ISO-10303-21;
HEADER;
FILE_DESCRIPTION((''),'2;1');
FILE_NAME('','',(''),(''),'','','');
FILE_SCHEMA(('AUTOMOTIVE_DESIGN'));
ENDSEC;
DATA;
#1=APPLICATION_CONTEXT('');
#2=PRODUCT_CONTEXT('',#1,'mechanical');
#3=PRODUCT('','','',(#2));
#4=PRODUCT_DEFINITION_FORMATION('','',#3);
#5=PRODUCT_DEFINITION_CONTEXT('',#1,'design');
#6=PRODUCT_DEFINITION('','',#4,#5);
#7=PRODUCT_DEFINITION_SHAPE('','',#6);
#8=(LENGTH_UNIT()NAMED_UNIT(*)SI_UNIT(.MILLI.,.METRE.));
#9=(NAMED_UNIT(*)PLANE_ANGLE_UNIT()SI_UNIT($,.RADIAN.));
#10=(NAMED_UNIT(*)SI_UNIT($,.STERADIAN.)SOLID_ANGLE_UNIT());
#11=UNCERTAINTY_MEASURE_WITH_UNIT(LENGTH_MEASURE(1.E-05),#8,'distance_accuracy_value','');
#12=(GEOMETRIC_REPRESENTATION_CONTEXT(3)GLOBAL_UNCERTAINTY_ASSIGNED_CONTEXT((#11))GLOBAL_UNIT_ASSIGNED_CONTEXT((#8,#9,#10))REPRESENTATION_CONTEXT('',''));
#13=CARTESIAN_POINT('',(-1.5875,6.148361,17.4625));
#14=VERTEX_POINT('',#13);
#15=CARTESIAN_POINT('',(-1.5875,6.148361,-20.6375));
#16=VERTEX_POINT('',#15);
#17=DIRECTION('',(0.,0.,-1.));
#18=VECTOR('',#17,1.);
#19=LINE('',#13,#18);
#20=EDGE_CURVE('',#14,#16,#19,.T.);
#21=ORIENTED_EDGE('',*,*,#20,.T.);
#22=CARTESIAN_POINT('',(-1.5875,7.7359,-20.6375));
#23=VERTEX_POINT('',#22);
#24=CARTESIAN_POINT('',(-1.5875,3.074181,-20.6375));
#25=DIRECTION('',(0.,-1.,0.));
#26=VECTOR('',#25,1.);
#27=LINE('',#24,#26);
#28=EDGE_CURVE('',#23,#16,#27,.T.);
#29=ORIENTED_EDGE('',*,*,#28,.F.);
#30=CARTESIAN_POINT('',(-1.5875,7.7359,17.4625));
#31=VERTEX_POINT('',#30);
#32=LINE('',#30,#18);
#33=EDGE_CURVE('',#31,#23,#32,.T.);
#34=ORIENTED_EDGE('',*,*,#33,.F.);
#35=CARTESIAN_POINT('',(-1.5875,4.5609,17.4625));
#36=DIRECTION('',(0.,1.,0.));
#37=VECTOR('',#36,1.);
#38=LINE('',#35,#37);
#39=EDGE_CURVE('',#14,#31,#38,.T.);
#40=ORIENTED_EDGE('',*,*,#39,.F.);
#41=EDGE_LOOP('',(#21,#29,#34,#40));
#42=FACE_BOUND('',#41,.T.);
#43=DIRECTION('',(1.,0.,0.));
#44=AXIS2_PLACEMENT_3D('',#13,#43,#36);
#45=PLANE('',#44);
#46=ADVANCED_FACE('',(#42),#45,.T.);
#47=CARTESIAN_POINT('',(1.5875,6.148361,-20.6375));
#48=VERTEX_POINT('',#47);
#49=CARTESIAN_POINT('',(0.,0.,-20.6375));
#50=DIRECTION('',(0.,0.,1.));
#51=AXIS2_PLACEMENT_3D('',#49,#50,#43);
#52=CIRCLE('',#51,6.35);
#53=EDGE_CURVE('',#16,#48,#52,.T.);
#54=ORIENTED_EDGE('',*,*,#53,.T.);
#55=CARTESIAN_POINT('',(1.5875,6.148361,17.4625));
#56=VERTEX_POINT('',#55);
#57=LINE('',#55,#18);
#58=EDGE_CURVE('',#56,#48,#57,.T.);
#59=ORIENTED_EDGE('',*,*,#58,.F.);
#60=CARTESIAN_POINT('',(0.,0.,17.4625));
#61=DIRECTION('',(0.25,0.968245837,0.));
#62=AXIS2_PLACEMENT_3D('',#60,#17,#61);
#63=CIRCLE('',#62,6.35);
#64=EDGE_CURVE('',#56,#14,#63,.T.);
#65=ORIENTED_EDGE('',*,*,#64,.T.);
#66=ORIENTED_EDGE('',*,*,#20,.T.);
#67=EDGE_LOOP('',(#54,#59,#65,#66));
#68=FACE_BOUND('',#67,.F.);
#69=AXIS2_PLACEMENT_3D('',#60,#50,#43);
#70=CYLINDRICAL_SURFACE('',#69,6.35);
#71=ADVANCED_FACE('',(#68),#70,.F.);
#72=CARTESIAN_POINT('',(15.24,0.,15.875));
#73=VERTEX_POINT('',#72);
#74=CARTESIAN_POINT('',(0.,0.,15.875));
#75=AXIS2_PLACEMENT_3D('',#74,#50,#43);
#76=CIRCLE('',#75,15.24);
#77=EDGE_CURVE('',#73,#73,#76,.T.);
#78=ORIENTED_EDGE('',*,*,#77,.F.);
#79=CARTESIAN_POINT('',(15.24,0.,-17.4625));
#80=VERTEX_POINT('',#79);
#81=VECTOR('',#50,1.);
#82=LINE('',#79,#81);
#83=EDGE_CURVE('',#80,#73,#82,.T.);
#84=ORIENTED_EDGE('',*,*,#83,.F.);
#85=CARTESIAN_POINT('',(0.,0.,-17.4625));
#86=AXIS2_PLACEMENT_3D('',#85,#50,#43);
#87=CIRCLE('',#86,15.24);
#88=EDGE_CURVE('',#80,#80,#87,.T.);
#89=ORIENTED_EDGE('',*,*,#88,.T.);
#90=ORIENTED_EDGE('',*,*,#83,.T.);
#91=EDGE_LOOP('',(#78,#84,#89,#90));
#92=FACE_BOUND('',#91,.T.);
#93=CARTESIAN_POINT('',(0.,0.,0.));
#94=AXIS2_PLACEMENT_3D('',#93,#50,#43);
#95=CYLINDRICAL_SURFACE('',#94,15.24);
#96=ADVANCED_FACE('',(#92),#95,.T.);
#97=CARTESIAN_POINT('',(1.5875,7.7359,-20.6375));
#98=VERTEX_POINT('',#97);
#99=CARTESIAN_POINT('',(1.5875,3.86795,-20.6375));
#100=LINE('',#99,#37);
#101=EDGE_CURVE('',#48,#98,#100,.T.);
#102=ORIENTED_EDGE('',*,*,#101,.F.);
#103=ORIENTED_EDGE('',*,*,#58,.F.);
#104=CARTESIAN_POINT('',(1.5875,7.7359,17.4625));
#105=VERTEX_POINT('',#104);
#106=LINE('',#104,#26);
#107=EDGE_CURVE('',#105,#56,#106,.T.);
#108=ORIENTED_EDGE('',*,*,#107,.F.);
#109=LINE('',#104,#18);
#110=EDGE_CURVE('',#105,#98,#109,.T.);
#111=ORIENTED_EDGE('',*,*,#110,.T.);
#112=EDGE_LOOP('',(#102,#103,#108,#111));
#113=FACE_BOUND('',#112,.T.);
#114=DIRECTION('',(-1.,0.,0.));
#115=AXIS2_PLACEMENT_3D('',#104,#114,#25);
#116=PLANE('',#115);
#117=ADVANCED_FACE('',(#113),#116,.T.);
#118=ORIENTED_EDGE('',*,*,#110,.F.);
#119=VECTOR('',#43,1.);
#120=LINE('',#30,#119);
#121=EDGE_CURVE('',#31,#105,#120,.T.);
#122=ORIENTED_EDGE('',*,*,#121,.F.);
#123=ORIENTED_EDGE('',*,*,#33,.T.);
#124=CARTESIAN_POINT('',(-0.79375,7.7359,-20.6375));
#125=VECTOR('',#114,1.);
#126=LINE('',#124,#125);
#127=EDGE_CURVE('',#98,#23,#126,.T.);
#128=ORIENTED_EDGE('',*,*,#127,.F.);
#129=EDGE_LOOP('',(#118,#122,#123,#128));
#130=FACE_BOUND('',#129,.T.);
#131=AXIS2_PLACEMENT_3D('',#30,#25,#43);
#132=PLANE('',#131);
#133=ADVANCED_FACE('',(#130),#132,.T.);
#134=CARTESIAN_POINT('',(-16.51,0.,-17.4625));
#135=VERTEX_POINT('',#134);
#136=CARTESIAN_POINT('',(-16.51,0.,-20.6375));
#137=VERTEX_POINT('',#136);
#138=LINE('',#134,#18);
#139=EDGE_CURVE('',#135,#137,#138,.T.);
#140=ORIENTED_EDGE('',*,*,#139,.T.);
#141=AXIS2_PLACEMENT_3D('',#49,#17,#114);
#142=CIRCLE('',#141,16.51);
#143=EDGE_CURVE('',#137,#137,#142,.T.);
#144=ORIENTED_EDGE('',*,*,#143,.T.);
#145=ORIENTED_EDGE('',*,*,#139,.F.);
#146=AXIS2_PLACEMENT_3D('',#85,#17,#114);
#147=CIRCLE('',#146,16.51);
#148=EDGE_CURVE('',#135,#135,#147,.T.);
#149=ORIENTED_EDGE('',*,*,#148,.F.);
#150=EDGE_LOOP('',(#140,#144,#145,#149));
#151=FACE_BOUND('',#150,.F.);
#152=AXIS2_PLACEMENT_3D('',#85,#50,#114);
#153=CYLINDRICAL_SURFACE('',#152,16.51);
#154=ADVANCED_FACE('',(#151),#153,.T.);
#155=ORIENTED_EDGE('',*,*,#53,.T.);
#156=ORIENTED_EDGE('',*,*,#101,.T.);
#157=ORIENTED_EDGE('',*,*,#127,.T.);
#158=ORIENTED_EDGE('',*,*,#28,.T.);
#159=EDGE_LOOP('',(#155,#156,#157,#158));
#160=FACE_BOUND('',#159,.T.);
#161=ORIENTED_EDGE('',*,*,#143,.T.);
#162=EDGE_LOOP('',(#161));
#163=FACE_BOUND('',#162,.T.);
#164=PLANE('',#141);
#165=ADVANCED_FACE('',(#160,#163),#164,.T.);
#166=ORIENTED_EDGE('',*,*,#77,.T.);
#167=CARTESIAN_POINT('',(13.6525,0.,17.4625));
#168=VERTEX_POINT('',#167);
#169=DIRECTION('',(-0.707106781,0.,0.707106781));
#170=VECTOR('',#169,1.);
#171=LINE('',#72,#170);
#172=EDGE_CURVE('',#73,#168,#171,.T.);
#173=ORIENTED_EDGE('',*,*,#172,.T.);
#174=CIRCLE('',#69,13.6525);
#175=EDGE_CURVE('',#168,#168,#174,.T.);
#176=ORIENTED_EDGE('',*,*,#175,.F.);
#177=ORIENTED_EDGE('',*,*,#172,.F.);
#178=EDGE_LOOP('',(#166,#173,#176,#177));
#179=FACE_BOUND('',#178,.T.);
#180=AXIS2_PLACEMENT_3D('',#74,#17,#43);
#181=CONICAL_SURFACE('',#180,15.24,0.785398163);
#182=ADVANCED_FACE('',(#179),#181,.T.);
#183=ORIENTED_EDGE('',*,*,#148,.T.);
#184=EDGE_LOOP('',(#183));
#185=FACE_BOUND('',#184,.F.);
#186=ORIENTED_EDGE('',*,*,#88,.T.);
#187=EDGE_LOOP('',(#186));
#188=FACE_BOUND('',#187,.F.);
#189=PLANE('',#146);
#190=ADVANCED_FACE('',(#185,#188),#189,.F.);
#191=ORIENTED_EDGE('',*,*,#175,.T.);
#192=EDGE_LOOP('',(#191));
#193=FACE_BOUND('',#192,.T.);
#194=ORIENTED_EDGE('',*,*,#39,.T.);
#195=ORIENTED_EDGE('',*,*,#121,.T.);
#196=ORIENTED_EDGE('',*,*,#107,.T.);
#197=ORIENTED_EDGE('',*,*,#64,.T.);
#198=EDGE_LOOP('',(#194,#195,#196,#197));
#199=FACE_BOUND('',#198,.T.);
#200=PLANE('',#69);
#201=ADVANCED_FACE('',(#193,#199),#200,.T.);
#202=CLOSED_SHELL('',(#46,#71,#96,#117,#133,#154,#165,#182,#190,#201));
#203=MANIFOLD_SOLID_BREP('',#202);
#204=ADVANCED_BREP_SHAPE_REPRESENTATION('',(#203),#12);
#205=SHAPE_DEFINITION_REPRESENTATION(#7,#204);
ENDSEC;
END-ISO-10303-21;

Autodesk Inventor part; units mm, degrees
ref_plane "YZ Plane" through (0, 0, 0) normal (1, 0, 0) x (0, 1, 0)
ref_plane "XZ Plane" through (0, 0, 0) normal (0, 1, 0) x (-1, 0, 0)
ref_plane "XY Plane" through (0, 0, 0) normal (0, 0, 1) x (1, 0, 0)
sketch "Sketch1" plane through (0, 0, 0) normal (0, 0, 1) x (1, 0, 0)
  circle A0 centre (0, 0) radius 15.24
  dimension "d0" = 30.48
extrude "Extrusion1" add sketch "Sketch1" along normal mid plane 34.925
sketch "Sketch2" plane through (0, 0, -17.4625) normal (0, 0, -1) x (-1, 0, 0)
  circle A0 centre (0, 0) radius 15.24 construction
  circle A1 centre (0, 0) radius 16.51
  dimension "d5" = 33.02
extrude "Extrusion2" add sketch "Sketch2" along normal blind 3.175
sketch "Sketch3" plane through (0, 0, 17.4625) normal (0, 0, 1) x (1, 0, 0)
  circle A0 centre (0, 0) radius 15.24 construction
  circle A1 centre (0, 0) radius 6.35
  line L0 (-1.5875, 7.7359) -> (1.5875, 7.7359)
  line L1 (1.5875, 7.7359) -> (1.5875, 4.5609)
  line L2 (1.5875, 4.5609) -> (-1.5875, 4.5609)
  line L3 (-1.5875, 4.5609) -> (-1.5875, 7.7359)
  point P0 (0, 7.7359)
  point P1 (-1.5875, 6.1484)
  dimension "d8" = 12.7
  dimension "d9" = 3.175
  dimension "d10" = 3.175
extrude "Extrusion3" cut sketch "Sketch3" against normal through all
chamfer "Chamfer1" distance 1.5875 angle 45 1 edges at (-15.24, 0, 17.4625)
properties part number "LM Colson Hub 500 key" material "Aluminum 6061"
